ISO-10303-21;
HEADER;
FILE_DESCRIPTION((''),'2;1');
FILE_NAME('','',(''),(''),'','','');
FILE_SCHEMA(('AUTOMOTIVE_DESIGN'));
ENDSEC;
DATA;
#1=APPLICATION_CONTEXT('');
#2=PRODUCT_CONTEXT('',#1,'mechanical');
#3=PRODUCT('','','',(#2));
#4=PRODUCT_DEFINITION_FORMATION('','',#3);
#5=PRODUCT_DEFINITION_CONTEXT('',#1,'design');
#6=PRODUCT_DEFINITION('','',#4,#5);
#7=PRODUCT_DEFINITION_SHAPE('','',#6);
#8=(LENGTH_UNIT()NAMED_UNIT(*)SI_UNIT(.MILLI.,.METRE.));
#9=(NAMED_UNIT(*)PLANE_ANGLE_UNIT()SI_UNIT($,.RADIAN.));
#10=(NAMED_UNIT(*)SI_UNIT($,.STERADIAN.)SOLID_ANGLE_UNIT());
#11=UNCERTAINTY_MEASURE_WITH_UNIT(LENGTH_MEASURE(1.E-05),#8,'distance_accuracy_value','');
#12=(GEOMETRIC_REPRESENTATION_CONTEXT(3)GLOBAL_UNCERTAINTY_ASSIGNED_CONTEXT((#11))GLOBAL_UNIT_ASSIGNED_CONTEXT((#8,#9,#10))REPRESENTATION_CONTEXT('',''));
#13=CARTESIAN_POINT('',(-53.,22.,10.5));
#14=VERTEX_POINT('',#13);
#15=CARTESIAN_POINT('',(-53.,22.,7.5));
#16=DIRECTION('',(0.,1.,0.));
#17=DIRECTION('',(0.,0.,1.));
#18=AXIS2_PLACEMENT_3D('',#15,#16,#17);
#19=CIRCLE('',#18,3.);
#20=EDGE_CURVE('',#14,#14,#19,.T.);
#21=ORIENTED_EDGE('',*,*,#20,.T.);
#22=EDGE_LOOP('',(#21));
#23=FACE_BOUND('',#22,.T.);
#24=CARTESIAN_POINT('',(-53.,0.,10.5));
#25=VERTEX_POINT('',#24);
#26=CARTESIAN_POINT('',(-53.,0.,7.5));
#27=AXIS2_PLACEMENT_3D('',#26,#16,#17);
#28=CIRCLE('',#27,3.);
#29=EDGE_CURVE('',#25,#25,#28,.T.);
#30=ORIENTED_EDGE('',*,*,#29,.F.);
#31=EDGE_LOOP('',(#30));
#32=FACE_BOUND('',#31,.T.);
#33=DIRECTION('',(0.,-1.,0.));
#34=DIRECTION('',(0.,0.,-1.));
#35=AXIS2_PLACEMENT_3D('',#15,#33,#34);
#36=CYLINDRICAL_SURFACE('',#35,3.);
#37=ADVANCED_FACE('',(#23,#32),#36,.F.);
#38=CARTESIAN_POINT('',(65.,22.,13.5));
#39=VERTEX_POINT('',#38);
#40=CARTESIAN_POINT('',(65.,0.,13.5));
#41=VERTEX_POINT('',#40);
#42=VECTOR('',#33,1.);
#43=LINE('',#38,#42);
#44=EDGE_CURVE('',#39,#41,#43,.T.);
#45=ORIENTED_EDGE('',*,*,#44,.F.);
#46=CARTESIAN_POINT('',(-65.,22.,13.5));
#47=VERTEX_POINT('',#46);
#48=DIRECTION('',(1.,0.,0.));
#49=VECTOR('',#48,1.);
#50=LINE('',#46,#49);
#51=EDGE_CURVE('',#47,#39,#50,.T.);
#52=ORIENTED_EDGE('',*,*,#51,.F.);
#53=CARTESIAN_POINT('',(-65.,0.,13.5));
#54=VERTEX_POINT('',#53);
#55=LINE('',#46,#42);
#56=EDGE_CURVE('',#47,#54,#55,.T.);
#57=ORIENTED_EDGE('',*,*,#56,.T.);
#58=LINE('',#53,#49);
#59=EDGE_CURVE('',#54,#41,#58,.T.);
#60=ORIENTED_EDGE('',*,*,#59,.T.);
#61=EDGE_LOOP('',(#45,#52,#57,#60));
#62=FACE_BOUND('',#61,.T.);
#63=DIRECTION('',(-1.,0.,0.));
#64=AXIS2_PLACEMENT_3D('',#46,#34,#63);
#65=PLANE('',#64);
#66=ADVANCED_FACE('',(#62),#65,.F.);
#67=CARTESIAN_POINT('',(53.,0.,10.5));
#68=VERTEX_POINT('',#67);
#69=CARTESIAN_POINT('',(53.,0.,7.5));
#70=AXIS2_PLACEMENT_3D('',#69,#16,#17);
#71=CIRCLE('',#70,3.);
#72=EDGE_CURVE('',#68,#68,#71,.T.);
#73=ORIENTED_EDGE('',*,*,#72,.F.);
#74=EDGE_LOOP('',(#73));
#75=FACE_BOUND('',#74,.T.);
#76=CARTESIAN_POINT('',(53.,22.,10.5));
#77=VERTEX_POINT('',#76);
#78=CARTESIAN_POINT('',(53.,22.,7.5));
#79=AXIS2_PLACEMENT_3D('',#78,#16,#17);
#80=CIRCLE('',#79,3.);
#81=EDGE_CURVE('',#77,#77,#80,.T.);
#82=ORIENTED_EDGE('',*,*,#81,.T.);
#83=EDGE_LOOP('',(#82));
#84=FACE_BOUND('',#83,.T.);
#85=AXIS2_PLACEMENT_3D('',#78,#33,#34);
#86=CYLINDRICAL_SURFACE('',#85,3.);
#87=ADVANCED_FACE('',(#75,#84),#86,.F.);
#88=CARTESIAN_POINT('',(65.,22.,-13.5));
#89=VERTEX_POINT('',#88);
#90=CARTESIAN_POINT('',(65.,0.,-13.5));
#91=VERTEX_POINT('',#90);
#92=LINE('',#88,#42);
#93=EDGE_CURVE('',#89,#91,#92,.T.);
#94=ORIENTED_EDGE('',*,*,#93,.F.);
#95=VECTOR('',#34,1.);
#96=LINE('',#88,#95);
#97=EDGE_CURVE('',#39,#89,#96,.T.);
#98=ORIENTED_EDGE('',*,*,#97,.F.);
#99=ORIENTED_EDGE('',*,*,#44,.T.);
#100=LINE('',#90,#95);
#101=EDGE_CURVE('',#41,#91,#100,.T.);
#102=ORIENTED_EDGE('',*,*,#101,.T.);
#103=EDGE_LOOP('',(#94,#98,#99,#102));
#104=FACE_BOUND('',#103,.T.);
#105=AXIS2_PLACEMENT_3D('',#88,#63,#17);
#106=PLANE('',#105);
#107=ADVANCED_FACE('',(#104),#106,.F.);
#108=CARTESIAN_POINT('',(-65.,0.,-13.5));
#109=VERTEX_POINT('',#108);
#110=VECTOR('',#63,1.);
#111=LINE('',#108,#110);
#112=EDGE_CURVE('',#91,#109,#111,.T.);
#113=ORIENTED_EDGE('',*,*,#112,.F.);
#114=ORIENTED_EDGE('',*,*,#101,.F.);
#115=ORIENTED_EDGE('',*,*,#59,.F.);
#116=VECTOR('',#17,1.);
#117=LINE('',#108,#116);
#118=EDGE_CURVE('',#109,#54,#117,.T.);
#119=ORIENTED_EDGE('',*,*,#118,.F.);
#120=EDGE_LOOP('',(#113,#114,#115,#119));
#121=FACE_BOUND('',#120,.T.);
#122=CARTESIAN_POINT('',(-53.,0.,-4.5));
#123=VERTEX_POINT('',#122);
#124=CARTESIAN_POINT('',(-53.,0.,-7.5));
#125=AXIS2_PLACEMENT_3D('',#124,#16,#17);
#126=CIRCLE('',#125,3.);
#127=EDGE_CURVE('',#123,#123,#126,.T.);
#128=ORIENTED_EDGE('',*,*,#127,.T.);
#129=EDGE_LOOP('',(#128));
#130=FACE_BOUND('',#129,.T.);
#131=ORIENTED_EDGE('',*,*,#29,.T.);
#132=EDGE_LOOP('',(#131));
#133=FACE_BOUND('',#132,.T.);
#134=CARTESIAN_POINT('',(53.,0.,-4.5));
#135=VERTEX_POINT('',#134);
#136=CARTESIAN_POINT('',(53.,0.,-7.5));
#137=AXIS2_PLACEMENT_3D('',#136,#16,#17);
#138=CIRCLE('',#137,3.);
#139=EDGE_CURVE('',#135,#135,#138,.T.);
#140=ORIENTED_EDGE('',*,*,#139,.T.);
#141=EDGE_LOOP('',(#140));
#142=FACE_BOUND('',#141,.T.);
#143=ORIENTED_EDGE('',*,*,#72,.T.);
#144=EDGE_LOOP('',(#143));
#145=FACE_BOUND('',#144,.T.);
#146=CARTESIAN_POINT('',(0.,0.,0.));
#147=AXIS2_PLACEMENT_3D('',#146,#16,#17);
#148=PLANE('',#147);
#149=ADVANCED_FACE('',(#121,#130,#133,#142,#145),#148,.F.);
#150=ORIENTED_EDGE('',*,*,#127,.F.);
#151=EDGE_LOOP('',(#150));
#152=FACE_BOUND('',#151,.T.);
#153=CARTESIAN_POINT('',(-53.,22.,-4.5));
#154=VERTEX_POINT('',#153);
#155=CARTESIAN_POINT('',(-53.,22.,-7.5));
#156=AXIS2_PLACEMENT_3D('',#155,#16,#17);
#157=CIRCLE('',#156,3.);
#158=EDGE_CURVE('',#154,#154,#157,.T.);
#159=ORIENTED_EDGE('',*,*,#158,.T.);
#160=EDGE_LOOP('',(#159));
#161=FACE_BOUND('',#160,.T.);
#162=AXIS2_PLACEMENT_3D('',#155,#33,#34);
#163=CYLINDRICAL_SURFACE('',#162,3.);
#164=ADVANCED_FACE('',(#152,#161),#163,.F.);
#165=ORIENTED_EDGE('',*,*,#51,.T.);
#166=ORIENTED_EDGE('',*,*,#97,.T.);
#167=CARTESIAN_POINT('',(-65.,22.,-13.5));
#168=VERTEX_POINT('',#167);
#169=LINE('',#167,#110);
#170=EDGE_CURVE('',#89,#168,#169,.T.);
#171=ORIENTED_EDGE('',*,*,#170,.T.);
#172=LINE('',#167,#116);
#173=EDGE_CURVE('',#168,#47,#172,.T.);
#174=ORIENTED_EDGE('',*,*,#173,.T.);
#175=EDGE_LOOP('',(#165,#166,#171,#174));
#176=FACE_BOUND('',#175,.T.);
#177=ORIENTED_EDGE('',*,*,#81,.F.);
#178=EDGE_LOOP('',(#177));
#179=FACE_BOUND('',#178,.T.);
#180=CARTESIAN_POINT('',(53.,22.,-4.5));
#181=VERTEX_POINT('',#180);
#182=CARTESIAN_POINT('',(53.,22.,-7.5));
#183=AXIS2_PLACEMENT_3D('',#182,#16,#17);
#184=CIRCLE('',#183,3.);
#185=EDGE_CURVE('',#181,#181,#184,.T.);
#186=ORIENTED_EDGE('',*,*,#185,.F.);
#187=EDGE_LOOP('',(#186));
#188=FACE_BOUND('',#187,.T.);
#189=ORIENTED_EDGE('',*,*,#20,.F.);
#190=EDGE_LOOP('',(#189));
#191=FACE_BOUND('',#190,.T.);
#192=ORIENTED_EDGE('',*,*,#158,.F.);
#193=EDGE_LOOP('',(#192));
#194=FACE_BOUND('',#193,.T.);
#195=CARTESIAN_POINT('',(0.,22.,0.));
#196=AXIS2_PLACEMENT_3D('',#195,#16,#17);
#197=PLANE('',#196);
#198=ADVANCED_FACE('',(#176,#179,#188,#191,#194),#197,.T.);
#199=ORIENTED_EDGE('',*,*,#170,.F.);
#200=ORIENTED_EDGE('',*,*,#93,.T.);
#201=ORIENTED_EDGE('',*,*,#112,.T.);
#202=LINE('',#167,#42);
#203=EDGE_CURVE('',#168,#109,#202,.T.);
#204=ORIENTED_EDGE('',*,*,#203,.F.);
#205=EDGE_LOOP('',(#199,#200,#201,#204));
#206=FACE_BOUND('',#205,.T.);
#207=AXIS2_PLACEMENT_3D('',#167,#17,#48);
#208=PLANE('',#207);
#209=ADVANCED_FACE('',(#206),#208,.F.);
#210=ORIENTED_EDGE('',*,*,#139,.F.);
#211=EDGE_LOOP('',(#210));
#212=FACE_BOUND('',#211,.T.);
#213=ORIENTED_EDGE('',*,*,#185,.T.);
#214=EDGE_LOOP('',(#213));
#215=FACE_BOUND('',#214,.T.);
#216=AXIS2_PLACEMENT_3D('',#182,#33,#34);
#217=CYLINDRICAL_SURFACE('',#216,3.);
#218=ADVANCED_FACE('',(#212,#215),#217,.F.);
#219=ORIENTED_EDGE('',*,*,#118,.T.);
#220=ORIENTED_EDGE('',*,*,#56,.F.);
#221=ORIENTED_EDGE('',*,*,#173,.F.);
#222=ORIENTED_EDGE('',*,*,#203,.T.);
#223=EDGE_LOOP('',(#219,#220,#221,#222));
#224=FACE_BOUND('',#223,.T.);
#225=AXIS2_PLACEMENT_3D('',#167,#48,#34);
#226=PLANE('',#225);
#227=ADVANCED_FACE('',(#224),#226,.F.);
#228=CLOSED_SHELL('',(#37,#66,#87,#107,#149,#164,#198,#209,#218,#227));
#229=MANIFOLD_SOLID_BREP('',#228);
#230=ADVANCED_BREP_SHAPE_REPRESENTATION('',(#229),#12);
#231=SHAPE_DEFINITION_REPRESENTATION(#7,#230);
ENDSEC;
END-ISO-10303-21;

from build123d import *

# Parameters (mm, degrees)
SKETCH1_W           = 130
SKETCH1_H           = 27
SKETCH1_R           = 3
BOSS_EXTRUDE1_DEPTH = 22


with BuildPart() as part:
    # Sketch1 → Boss-Extrude1 (new body)
    with BuildSketch(Plane(origin=(0, 0, 0), x_dir=(1, 0, 0), z_dir=(0, 1, 0))):
        Rectangle(SKETCH1_W, SKETCH1_H)
        with Locations(Location((53, 7.5, 0), (0, 0, 270))):
            Circle(SKETCH1_R, mode=Mode.SUBTRACT)
        with Locations(Location((53, -7.5, 0), (0, 0, 270))):
            Circle(SKETCH1_R, mode=Mode.SUBTRACT)
        with Locations(Location((-53, 7.5, 0), (0, 0, 270))):
            Circle(SKETCH1_R, mode=Mode.SUBTRACT)
        with Locations(Location((-53, -7.5, 0), (0, 0, 270))):
            Circle(SKETCH1_R, mode=Mode.SUBTRACT)
    extrude(amount=BOSS_EXTRUDE1_DEPTH)


solid = part.part
